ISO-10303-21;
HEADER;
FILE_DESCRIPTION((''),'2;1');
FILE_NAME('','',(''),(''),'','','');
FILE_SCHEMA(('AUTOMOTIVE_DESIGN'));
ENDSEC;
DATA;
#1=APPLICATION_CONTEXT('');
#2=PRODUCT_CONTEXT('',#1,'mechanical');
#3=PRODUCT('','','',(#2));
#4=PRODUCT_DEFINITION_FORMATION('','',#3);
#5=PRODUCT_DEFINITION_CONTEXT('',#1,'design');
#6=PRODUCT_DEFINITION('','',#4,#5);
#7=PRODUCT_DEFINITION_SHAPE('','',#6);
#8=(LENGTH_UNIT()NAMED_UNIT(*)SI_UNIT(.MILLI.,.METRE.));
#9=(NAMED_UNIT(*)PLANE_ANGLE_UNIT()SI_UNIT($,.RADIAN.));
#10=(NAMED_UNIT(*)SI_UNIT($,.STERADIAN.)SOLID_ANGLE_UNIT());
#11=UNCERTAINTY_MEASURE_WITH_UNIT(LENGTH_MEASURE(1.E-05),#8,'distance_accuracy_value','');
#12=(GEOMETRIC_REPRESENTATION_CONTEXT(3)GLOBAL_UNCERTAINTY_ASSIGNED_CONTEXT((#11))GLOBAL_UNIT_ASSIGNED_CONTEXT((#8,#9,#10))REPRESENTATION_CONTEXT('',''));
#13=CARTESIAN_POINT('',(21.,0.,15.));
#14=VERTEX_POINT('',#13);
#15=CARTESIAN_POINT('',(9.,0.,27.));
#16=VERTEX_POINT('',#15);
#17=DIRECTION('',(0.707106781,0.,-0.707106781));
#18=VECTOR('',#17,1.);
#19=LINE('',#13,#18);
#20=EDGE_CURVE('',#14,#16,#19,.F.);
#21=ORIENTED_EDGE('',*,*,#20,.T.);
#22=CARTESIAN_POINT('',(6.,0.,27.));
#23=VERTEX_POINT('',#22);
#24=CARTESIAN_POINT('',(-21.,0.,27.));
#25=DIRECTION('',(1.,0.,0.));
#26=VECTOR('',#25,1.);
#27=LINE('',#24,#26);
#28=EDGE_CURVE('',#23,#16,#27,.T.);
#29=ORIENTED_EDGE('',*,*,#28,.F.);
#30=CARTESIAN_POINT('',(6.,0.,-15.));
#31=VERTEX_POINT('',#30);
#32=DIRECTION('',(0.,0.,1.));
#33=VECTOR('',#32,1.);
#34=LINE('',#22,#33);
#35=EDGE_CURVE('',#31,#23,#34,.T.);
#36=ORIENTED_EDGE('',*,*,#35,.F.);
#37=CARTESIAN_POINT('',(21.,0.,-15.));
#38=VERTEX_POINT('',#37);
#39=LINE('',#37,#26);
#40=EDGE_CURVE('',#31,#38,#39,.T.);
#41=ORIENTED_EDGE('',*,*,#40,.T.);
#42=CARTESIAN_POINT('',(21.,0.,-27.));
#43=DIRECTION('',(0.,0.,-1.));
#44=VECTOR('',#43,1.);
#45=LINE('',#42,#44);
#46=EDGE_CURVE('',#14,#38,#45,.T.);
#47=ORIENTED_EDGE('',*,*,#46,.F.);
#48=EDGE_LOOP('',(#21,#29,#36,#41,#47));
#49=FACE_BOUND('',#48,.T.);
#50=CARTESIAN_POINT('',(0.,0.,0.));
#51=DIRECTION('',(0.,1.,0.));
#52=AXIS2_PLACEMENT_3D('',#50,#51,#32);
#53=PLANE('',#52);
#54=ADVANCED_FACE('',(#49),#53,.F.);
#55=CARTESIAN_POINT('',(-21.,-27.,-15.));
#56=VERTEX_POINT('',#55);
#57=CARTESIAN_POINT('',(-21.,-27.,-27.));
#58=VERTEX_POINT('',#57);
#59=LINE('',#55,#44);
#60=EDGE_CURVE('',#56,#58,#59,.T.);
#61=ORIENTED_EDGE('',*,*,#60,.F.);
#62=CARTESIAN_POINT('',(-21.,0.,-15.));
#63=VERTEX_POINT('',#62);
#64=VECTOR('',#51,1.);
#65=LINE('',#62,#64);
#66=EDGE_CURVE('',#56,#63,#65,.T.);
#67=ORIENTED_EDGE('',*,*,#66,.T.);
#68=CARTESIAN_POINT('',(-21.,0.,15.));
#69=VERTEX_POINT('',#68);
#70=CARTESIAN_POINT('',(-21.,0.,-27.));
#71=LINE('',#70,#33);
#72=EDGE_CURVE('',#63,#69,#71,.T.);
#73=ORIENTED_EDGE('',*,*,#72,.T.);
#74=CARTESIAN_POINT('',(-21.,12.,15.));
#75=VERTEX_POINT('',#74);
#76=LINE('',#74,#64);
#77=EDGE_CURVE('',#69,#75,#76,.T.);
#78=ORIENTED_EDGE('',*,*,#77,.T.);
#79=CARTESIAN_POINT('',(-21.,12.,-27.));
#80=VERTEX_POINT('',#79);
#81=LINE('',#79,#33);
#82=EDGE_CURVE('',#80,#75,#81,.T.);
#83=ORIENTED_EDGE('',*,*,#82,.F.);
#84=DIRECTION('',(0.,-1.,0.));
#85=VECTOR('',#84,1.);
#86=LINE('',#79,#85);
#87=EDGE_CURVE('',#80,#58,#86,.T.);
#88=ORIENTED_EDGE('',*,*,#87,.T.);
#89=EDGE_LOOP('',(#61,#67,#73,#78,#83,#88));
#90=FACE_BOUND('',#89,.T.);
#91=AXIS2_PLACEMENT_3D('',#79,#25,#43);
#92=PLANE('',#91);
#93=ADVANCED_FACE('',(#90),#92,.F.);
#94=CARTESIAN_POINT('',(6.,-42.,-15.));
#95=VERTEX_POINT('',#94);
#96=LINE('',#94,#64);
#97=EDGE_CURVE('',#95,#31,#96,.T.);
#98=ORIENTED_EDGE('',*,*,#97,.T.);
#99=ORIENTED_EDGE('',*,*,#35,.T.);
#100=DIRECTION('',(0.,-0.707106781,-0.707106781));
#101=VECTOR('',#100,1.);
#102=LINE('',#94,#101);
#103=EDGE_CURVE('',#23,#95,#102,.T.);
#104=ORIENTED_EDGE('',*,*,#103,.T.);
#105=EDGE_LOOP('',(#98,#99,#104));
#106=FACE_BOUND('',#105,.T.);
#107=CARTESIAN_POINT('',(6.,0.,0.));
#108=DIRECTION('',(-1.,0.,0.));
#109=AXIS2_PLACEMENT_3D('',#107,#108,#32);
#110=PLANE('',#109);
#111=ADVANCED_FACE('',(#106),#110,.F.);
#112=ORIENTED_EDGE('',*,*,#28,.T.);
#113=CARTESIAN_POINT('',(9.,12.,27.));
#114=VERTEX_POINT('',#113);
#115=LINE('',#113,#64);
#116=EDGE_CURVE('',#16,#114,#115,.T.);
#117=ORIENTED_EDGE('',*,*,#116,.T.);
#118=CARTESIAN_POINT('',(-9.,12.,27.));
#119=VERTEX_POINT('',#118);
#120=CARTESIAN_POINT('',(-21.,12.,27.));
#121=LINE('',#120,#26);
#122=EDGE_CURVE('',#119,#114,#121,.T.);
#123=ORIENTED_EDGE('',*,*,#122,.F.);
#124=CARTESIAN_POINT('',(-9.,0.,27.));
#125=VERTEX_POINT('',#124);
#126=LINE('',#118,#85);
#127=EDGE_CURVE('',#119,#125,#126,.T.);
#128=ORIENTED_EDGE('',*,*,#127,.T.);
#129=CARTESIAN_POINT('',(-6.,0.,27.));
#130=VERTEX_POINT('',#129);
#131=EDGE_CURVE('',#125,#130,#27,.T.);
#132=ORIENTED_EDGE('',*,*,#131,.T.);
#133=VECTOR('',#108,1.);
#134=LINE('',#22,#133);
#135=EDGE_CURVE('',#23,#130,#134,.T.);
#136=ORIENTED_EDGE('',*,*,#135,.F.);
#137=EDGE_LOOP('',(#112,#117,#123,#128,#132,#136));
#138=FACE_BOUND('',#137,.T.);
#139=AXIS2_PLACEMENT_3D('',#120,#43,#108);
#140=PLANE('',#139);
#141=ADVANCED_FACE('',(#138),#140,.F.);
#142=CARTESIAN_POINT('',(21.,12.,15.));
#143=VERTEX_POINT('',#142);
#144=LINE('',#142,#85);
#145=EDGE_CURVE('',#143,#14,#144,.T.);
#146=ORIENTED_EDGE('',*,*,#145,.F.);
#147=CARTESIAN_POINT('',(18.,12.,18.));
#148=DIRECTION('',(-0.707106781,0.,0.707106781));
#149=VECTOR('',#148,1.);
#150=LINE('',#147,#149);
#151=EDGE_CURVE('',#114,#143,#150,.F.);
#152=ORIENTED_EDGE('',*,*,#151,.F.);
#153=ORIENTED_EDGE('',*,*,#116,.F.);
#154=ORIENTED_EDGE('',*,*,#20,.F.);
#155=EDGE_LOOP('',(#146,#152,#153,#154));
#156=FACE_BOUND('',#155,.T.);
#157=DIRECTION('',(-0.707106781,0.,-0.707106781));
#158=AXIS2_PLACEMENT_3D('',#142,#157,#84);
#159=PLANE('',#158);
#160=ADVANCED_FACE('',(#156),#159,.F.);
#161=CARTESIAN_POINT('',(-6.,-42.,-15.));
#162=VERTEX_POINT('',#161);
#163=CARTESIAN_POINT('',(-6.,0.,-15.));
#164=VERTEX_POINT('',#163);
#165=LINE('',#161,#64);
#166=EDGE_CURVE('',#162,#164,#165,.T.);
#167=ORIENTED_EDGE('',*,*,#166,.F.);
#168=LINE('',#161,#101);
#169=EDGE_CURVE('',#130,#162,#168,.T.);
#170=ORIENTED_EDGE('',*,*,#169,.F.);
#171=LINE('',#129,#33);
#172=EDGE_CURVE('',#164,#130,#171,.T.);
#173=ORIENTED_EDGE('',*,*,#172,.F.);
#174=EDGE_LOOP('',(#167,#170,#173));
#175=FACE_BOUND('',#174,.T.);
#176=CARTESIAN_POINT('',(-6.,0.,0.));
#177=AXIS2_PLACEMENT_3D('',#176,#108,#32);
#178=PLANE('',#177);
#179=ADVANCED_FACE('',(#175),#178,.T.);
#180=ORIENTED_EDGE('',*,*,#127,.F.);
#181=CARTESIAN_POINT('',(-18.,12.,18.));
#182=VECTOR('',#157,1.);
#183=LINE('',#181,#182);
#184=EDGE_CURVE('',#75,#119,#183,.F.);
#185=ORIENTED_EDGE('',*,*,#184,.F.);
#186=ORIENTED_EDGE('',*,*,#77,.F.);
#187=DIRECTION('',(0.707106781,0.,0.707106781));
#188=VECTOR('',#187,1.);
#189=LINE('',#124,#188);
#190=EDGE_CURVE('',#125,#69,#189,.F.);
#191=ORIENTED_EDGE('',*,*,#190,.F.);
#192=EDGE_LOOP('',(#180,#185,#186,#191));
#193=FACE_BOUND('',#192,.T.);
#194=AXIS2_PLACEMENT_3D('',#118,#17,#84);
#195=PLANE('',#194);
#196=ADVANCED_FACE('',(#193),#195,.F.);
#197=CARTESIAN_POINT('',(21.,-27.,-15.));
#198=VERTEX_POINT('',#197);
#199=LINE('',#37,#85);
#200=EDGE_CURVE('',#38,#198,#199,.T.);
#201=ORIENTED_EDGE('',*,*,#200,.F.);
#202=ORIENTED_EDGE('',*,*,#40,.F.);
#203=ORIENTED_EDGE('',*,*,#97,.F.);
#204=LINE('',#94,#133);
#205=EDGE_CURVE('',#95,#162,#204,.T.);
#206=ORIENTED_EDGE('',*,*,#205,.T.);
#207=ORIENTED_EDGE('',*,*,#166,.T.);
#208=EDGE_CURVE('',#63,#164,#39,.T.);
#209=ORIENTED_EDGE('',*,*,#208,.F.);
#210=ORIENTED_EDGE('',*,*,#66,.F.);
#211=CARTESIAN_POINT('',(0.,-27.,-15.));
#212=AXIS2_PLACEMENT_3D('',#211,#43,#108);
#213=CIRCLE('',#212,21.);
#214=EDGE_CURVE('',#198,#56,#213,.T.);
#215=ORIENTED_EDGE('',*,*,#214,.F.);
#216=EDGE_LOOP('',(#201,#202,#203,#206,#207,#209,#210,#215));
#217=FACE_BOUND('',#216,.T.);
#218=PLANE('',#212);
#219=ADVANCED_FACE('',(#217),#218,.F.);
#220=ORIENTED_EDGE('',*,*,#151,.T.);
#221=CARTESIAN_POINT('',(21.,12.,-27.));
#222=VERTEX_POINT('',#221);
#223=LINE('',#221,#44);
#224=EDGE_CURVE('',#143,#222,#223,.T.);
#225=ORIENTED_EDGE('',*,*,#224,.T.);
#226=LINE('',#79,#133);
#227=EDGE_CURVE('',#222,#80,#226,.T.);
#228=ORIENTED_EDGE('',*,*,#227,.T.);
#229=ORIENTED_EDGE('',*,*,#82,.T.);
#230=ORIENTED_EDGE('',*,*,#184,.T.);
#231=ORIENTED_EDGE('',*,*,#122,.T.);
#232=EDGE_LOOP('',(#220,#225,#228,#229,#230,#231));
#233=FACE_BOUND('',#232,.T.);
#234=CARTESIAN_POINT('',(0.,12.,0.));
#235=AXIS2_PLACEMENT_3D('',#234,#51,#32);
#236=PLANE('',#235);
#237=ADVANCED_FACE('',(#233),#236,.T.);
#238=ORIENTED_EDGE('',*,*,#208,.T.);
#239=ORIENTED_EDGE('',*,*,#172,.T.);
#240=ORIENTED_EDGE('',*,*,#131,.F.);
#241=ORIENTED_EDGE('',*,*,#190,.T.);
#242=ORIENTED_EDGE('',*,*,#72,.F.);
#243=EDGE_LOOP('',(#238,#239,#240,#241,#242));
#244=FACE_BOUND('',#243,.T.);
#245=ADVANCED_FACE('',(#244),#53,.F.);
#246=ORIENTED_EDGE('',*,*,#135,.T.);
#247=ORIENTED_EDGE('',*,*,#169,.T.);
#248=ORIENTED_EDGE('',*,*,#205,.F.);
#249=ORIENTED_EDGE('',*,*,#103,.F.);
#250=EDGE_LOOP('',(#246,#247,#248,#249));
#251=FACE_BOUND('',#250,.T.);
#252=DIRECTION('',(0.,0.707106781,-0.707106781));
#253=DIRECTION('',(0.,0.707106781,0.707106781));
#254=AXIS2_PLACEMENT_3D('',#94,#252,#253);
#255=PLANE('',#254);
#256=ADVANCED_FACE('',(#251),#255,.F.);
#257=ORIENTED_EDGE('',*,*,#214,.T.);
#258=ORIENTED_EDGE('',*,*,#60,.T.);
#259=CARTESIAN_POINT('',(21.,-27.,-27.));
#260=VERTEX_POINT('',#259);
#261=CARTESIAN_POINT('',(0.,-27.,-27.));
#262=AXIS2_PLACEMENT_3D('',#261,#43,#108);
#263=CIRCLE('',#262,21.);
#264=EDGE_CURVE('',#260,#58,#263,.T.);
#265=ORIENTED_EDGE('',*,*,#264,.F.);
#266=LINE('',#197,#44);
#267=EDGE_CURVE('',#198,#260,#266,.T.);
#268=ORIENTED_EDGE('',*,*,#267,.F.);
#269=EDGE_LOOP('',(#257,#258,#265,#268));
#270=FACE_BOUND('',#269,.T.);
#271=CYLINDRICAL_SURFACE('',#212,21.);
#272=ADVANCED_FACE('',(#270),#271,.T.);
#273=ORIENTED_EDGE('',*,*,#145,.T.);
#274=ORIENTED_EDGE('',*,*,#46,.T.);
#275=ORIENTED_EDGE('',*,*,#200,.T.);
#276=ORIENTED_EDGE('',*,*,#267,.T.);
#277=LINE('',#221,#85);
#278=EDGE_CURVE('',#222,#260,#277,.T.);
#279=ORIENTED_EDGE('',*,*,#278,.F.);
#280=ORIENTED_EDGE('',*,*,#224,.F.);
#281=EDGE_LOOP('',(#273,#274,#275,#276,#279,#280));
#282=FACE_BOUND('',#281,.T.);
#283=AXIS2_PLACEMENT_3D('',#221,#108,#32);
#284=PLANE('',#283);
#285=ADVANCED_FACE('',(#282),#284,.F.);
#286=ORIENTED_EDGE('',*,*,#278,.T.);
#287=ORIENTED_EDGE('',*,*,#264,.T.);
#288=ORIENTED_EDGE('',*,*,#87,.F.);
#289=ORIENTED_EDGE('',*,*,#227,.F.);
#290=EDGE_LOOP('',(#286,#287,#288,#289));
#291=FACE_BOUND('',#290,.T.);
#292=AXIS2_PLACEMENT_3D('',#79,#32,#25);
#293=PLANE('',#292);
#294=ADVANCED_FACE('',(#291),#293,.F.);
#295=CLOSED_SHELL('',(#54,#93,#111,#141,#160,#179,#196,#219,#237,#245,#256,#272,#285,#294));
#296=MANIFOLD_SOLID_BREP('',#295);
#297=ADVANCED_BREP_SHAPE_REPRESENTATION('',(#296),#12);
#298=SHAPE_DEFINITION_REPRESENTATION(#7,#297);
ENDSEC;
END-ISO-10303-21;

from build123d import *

# Parameters (mm, degrees)
SKETCH1_W           = 42
SKETCH1_H           = 54
BOSS_EXTRUDE1_DEPTH = 12
CHAMFER2_SIZE       = 12
BOSS_EXTRUDE2_DEPTH = 12
BOSS_EXTRUDE3_DEPTH = 6


with BuildPart() as part:
    # Sketch1 → Boss-Extrude1 (new body)
    with BuildSketch(Plane(origin=(0, 0, 0), x_dir=(1, 0, 0), z_dir=(0, 1, 0))):
        Rectangle(SKETCH1_W, SKETCH1_H)
    extrude(amount=BOSS_EXTRUDE1_DEPTH)

    # Chamfer2
    chamfer2_edges = [part.edges().sort_by_distance(p)[0] for p in [
        (21, 6, 27),
        (-21, 6, 27),
    ]]
    chamfer(chamfer2_edges, length=CHAMFER2_SIZE)

    # Sketch2 → Boss-Extrude2 (add)
    with BuildSketch(Plane(origin=(0, 0, -27), x_dir=(-1, 0, 0), z_dir=(0, 0, -1))):
        with BuildLine():
            Line((21, 0), (21, -27))
            ThreePointArc((21, -27), (0, -48), (-21, -27))
            Line((-21, -27), (-21, 0))
            Line((-21, 0), (21, 0))
        make_face()
    extrude(amount=-BOSS_EXTRUDE2_DEPTH)

    # Sketch8 → Boss-Extrude3 (add, symmetric)
    with BuildSketch(Plane(origin=(0, 0, 0), x_dir=(0, 0, -1), z_dir=(1, 0, 0))):
        Polygon((15, -42), (15, 0), (-27, 0), align=None)
    extrude(amount=BOSS_EXTRUDE3_DEPTH, both=True)


solid = part.part
